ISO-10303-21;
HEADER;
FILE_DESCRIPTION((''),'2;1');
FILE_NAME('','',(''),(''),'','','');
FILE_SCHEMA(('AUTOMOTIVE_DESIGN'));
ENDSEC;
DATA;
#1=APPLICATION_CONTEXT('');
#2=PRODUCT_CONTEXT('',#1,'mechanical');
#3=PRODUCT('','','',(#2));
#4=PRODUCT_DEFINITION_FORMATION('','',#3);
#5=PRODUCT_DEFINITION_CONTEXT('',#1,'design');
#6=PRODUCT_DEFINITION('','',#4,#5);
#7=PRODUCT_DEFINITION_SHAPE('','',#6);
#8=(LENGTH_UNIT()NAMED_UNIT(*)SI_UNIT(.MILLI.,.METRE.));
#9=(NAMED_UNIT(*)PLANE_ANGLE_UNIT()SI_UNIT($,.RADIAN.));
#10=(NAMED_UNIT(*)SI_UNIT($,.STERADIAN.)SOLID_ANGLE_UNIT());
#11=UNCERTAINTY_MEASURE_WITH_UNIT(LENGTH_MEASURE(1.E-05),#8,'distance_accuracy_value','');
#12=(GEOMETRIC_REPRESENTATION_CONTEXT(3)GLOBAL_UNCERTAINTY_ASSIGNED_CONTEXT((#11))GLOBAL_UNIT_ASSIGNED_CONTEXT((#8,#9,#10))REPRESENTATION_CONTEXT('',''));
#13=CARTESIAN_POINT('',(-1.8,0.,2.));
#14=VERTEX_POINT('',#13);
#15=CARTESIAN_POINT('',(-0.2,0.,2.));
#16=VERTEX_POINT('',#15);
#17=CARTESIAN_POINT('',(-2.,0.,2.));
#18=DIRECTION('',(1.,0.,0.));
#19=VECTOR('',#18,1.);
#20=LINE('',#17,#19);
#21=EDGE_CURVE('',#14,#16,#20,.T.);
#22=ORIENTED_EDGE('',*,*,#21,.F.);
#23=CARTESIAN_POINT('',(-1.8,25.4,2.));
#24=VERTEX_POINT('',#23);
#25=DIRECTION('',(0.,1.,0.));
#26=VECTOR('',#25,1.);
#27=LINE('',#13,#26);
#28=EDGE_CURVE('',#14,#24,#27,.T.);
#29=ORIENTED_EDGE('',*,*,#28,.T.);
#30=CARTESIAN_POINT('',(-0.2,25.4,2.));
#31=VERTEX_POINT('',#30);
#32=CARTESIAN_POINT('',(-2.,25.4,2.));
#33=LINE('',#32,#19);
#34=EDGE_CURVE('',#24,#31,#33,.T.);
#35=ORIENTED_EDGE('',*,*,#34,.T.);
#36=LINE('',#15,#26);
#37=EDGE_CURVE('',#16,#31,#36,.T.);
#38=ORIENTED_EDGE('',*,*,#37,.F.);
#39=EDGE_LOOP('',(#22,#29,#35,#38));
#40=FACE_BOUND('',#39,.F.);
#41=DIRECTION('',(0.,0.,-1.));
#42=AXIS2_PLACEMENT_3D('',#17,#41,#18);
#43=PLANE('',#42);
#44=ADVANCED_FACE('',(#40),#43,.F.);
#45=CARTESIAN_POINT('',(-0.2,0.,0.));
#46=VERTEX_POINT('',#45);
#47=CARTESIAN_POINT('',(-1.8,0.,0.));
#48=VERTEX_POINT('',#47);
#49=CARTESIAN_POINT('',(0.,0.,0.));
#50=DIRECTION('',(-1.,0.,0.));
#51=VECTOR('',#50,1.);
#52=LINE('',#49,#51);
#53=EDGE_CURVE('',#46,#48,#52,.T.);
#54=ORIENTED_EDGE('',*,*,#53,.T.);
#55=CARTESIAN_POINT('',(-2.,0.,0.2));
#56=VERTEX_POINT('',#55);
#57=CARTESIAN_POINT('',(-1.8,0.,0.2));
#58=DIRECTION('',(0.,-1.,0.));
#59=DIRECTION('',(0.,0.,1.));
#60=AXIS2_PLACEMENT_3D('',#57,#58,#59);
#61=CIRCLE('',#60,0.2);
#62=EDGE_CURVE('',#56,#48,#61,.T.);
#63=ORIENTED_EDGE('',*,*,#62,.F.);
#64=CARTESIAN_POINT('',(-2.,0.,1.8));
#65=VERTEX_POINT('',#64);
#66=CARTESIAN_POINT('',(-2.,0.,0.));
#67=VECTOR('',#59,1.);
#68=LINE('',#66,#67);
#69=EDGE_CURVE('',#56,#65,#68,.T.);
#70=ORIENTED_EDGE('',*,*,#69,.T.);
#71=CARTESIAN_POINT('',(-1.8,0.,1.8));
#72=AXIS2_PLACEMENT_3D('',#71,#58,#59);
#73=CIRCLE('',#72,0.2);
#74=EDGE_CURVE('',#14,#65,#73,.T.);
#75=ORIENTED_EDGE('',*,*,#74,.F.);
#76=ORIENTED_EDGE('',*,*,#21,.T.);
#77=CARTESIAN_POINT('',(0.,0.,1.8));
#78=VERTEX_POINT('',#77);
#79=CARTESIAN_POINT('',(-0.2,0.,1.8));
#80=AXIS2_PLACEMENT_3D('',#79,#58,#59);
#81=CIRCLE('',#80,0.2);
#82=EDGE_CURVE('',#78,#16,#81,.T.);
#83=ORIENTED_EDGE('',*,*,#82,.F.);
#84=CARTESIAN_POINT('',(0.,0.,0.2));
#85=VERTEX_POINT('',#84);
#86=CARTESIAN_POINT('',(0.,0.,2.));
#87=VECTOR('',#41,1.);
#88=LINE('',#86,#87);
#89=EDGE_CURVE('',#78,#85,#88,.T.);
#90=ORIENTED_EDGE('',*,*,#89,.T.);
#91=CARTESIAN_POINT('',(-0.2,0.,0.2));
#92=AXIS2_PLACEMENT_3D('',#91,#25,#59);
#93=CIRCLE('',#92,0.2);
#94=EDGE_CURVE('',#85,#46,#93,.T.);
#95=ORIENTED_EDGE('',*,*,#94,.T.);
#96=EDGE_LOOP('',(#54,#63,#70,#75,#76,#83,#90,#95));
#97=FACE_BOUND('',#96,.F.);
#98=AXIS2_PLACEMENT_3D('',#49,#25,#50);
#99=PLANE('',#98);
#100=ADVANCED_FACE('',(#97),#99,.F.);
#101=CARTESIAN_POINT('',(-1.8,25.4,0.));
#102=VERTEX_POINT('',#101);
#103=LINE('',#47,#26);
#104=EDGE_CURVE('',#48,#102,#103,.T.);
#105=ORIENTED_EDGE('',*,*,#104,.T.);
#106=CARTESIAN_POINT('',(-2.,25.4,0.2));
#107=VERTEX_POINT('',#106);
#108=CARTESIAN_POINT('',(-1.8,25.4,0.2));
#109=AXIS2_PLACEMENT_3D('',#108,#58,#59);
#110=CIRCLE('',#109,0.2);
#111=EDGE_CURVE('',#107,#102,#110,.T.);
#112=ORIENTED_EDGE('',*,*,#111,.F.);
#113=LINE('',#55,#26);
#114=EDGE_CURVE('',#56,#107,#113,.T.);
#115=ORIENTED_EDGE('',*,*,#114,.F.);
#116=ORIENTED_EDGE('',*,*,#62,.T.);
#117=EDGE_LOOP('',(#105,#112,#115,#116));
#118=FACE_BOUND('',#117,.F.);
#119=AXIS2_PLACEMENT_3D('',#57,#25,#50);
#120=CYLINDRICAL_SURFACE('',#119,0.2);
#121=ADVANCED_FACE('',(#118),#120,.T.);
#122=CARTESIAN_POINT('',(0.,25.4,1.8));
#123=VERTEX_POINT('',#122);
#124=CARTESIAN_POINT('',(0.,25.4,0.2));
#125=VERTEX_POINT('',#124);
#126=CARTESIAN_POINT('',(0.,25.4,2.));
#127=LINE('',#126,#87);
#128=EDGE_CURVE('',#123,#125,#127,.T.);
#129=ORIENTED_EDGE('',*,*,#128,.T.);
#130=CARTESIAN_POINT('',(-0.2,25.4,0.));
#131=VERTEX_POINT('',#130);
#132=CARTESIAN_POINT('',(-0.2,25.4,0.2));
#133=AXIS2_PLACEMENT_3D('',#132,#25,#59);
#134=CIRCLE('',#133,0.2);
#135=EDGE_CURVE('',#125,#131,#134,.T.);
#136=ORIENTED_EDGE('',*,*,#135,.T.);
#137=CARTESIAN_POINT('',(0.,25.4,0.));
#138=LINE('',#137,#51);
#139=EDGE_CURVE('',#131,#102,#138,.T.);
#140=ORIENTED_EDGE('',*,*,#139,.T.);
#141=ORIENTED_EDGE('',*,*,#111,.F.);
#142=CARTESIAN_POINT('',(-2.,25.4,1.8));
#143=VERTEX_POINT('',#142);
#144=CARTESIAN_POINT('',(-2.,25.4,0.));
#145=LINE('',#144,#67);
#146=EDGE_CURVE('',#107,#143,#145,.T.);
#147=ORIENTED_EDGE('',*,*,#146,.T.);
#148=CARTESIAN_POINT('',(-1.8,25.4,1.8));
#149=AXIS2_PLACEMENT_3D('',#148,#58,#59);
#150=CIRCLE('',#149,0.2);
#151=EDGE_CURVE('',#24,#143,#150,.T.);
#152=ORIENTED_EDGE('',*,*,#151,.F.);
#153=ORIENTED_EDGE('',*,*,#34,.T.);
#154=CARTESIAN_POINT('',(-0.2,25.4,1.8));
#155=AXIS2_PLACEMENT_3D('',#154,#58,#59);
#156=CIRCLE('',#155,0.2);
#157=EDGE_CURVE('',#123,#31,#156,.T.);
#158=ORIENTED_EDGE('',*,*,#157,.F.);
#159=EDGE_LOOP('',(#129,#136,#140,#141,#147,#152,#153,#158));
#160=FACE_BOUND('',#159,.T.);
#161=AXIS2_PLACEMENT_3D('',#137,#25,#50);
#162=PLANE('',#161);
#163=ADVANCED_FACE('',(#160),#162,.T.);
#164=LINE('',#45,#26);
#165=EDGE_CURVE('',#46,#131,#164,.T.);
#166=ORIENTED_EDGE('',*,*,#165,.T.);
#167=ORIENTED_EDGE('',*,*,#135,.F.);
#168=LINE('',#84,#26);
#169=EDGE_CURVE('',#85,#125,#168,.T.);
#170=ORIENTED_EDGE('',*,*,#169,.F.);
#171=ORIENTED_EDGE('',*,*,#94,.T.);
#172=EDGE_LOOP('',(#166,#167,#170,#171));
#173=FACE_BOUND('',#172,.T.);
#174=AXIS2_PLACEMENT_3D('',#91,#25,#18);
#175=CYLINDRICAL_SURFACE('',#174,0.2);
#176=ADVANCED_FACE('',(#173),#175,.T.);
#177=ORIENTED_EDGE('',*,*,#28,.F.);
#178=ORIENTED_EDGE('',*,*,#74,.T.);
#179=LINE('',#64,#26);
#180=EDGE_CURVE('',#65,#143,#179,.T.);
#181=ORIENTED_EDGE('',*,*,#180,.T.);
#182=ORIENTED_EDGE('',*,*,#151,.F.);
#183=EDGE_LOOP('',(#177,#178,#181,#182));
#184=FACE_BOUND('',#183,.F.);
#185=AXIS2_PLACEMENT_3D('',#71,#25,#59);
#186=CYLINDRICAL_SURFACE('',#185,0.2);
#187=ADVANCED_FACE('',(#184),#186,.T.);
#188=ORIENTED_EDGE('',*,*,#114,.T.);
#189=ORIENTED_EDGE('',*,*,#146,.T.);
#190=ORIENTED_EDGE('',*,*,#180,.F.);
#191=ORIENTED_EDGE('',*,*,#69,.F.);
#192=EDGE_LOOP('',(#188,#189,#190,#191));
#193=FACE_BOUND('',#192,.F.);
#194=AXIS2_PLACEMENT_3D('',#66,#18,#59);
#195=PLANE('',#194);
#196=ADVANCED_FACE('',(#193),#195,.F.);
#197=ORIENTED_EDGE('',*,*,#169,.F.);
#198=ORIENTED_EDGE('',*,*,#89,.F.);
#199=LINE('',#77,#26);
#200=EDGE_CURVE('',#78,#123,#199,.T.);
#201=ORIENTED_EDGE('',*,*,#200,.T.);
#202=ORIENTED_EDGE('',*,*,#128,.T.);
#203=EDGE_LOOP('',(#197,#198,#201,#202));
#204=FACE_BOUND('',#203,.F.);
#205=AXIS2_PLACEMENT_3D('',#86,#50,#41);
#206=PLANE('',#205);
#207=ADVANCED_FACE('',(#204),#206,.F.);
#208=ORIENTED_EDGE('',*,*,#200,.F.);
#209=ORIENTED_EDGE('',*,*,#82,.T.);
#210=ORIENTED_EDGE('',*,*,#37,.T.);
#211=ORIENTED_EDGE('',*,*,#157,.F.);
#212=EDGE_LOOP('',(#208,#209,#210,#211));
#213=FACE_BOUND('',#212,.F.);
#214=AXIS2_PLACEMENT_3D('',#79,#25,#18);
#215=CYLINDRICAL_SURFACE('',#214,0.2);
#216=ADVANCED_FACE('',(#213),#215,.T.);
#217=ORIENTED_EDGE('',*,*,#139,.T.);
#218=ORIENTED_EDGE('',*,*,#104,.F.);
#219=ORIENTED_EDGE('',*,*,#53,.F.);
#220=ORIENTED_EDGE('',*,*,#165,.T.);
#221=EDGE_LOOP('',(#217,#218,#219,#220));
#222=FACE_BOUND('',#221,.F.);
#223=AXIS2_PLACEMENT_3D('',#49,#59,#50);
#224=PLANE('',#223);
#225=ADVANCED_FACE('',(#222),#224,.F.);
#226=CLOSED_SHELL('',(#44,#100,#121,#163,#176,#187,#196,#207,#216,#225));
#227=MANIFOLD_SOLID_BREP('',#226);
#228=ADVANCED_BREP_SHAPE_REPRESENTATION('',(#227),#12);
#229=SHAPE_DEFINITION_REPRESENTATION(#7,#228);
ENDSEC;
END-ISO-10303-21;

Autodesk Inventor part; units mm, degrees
ref_plane "YZ Plane" through (0, 0, 0) normal (1, 0, 0) x (0, 1, 0)
ref_plane "XZ Plane" through (0, 0, 0) normal (0, 1, 0) x (-1, 0, 0)
ref_plane "XY Plane" through (0, 0, 0) normal (0, 0, 1) x (1, 0, 0)
sketch "Sketch1" plane through (0, 0, 0) normal (0, 1, 0) x (-1, 0, 0)
  line L0 (0, 0) -> (2, 0)
  line L1 (2, 0) -> (2, 2)
  line L2 (2, 2) -> (0, 2)
  line L3 (0, 2) -> (0, 0)
  dimension "d0" = 2
  dimension "d1" = 2
extrude "Extrusion1" add sketch "Sketch1" along normal blind 25.4
fillet "Fillet1" radius 0.2 4 edges at (0, 12.7, 2) (0, 12.7, 0) (-2, 12.7, 2) (-2, 12.7, 0)
properties part number "Shooter 8mm Key Sprocket Encoder" material "Steel"
